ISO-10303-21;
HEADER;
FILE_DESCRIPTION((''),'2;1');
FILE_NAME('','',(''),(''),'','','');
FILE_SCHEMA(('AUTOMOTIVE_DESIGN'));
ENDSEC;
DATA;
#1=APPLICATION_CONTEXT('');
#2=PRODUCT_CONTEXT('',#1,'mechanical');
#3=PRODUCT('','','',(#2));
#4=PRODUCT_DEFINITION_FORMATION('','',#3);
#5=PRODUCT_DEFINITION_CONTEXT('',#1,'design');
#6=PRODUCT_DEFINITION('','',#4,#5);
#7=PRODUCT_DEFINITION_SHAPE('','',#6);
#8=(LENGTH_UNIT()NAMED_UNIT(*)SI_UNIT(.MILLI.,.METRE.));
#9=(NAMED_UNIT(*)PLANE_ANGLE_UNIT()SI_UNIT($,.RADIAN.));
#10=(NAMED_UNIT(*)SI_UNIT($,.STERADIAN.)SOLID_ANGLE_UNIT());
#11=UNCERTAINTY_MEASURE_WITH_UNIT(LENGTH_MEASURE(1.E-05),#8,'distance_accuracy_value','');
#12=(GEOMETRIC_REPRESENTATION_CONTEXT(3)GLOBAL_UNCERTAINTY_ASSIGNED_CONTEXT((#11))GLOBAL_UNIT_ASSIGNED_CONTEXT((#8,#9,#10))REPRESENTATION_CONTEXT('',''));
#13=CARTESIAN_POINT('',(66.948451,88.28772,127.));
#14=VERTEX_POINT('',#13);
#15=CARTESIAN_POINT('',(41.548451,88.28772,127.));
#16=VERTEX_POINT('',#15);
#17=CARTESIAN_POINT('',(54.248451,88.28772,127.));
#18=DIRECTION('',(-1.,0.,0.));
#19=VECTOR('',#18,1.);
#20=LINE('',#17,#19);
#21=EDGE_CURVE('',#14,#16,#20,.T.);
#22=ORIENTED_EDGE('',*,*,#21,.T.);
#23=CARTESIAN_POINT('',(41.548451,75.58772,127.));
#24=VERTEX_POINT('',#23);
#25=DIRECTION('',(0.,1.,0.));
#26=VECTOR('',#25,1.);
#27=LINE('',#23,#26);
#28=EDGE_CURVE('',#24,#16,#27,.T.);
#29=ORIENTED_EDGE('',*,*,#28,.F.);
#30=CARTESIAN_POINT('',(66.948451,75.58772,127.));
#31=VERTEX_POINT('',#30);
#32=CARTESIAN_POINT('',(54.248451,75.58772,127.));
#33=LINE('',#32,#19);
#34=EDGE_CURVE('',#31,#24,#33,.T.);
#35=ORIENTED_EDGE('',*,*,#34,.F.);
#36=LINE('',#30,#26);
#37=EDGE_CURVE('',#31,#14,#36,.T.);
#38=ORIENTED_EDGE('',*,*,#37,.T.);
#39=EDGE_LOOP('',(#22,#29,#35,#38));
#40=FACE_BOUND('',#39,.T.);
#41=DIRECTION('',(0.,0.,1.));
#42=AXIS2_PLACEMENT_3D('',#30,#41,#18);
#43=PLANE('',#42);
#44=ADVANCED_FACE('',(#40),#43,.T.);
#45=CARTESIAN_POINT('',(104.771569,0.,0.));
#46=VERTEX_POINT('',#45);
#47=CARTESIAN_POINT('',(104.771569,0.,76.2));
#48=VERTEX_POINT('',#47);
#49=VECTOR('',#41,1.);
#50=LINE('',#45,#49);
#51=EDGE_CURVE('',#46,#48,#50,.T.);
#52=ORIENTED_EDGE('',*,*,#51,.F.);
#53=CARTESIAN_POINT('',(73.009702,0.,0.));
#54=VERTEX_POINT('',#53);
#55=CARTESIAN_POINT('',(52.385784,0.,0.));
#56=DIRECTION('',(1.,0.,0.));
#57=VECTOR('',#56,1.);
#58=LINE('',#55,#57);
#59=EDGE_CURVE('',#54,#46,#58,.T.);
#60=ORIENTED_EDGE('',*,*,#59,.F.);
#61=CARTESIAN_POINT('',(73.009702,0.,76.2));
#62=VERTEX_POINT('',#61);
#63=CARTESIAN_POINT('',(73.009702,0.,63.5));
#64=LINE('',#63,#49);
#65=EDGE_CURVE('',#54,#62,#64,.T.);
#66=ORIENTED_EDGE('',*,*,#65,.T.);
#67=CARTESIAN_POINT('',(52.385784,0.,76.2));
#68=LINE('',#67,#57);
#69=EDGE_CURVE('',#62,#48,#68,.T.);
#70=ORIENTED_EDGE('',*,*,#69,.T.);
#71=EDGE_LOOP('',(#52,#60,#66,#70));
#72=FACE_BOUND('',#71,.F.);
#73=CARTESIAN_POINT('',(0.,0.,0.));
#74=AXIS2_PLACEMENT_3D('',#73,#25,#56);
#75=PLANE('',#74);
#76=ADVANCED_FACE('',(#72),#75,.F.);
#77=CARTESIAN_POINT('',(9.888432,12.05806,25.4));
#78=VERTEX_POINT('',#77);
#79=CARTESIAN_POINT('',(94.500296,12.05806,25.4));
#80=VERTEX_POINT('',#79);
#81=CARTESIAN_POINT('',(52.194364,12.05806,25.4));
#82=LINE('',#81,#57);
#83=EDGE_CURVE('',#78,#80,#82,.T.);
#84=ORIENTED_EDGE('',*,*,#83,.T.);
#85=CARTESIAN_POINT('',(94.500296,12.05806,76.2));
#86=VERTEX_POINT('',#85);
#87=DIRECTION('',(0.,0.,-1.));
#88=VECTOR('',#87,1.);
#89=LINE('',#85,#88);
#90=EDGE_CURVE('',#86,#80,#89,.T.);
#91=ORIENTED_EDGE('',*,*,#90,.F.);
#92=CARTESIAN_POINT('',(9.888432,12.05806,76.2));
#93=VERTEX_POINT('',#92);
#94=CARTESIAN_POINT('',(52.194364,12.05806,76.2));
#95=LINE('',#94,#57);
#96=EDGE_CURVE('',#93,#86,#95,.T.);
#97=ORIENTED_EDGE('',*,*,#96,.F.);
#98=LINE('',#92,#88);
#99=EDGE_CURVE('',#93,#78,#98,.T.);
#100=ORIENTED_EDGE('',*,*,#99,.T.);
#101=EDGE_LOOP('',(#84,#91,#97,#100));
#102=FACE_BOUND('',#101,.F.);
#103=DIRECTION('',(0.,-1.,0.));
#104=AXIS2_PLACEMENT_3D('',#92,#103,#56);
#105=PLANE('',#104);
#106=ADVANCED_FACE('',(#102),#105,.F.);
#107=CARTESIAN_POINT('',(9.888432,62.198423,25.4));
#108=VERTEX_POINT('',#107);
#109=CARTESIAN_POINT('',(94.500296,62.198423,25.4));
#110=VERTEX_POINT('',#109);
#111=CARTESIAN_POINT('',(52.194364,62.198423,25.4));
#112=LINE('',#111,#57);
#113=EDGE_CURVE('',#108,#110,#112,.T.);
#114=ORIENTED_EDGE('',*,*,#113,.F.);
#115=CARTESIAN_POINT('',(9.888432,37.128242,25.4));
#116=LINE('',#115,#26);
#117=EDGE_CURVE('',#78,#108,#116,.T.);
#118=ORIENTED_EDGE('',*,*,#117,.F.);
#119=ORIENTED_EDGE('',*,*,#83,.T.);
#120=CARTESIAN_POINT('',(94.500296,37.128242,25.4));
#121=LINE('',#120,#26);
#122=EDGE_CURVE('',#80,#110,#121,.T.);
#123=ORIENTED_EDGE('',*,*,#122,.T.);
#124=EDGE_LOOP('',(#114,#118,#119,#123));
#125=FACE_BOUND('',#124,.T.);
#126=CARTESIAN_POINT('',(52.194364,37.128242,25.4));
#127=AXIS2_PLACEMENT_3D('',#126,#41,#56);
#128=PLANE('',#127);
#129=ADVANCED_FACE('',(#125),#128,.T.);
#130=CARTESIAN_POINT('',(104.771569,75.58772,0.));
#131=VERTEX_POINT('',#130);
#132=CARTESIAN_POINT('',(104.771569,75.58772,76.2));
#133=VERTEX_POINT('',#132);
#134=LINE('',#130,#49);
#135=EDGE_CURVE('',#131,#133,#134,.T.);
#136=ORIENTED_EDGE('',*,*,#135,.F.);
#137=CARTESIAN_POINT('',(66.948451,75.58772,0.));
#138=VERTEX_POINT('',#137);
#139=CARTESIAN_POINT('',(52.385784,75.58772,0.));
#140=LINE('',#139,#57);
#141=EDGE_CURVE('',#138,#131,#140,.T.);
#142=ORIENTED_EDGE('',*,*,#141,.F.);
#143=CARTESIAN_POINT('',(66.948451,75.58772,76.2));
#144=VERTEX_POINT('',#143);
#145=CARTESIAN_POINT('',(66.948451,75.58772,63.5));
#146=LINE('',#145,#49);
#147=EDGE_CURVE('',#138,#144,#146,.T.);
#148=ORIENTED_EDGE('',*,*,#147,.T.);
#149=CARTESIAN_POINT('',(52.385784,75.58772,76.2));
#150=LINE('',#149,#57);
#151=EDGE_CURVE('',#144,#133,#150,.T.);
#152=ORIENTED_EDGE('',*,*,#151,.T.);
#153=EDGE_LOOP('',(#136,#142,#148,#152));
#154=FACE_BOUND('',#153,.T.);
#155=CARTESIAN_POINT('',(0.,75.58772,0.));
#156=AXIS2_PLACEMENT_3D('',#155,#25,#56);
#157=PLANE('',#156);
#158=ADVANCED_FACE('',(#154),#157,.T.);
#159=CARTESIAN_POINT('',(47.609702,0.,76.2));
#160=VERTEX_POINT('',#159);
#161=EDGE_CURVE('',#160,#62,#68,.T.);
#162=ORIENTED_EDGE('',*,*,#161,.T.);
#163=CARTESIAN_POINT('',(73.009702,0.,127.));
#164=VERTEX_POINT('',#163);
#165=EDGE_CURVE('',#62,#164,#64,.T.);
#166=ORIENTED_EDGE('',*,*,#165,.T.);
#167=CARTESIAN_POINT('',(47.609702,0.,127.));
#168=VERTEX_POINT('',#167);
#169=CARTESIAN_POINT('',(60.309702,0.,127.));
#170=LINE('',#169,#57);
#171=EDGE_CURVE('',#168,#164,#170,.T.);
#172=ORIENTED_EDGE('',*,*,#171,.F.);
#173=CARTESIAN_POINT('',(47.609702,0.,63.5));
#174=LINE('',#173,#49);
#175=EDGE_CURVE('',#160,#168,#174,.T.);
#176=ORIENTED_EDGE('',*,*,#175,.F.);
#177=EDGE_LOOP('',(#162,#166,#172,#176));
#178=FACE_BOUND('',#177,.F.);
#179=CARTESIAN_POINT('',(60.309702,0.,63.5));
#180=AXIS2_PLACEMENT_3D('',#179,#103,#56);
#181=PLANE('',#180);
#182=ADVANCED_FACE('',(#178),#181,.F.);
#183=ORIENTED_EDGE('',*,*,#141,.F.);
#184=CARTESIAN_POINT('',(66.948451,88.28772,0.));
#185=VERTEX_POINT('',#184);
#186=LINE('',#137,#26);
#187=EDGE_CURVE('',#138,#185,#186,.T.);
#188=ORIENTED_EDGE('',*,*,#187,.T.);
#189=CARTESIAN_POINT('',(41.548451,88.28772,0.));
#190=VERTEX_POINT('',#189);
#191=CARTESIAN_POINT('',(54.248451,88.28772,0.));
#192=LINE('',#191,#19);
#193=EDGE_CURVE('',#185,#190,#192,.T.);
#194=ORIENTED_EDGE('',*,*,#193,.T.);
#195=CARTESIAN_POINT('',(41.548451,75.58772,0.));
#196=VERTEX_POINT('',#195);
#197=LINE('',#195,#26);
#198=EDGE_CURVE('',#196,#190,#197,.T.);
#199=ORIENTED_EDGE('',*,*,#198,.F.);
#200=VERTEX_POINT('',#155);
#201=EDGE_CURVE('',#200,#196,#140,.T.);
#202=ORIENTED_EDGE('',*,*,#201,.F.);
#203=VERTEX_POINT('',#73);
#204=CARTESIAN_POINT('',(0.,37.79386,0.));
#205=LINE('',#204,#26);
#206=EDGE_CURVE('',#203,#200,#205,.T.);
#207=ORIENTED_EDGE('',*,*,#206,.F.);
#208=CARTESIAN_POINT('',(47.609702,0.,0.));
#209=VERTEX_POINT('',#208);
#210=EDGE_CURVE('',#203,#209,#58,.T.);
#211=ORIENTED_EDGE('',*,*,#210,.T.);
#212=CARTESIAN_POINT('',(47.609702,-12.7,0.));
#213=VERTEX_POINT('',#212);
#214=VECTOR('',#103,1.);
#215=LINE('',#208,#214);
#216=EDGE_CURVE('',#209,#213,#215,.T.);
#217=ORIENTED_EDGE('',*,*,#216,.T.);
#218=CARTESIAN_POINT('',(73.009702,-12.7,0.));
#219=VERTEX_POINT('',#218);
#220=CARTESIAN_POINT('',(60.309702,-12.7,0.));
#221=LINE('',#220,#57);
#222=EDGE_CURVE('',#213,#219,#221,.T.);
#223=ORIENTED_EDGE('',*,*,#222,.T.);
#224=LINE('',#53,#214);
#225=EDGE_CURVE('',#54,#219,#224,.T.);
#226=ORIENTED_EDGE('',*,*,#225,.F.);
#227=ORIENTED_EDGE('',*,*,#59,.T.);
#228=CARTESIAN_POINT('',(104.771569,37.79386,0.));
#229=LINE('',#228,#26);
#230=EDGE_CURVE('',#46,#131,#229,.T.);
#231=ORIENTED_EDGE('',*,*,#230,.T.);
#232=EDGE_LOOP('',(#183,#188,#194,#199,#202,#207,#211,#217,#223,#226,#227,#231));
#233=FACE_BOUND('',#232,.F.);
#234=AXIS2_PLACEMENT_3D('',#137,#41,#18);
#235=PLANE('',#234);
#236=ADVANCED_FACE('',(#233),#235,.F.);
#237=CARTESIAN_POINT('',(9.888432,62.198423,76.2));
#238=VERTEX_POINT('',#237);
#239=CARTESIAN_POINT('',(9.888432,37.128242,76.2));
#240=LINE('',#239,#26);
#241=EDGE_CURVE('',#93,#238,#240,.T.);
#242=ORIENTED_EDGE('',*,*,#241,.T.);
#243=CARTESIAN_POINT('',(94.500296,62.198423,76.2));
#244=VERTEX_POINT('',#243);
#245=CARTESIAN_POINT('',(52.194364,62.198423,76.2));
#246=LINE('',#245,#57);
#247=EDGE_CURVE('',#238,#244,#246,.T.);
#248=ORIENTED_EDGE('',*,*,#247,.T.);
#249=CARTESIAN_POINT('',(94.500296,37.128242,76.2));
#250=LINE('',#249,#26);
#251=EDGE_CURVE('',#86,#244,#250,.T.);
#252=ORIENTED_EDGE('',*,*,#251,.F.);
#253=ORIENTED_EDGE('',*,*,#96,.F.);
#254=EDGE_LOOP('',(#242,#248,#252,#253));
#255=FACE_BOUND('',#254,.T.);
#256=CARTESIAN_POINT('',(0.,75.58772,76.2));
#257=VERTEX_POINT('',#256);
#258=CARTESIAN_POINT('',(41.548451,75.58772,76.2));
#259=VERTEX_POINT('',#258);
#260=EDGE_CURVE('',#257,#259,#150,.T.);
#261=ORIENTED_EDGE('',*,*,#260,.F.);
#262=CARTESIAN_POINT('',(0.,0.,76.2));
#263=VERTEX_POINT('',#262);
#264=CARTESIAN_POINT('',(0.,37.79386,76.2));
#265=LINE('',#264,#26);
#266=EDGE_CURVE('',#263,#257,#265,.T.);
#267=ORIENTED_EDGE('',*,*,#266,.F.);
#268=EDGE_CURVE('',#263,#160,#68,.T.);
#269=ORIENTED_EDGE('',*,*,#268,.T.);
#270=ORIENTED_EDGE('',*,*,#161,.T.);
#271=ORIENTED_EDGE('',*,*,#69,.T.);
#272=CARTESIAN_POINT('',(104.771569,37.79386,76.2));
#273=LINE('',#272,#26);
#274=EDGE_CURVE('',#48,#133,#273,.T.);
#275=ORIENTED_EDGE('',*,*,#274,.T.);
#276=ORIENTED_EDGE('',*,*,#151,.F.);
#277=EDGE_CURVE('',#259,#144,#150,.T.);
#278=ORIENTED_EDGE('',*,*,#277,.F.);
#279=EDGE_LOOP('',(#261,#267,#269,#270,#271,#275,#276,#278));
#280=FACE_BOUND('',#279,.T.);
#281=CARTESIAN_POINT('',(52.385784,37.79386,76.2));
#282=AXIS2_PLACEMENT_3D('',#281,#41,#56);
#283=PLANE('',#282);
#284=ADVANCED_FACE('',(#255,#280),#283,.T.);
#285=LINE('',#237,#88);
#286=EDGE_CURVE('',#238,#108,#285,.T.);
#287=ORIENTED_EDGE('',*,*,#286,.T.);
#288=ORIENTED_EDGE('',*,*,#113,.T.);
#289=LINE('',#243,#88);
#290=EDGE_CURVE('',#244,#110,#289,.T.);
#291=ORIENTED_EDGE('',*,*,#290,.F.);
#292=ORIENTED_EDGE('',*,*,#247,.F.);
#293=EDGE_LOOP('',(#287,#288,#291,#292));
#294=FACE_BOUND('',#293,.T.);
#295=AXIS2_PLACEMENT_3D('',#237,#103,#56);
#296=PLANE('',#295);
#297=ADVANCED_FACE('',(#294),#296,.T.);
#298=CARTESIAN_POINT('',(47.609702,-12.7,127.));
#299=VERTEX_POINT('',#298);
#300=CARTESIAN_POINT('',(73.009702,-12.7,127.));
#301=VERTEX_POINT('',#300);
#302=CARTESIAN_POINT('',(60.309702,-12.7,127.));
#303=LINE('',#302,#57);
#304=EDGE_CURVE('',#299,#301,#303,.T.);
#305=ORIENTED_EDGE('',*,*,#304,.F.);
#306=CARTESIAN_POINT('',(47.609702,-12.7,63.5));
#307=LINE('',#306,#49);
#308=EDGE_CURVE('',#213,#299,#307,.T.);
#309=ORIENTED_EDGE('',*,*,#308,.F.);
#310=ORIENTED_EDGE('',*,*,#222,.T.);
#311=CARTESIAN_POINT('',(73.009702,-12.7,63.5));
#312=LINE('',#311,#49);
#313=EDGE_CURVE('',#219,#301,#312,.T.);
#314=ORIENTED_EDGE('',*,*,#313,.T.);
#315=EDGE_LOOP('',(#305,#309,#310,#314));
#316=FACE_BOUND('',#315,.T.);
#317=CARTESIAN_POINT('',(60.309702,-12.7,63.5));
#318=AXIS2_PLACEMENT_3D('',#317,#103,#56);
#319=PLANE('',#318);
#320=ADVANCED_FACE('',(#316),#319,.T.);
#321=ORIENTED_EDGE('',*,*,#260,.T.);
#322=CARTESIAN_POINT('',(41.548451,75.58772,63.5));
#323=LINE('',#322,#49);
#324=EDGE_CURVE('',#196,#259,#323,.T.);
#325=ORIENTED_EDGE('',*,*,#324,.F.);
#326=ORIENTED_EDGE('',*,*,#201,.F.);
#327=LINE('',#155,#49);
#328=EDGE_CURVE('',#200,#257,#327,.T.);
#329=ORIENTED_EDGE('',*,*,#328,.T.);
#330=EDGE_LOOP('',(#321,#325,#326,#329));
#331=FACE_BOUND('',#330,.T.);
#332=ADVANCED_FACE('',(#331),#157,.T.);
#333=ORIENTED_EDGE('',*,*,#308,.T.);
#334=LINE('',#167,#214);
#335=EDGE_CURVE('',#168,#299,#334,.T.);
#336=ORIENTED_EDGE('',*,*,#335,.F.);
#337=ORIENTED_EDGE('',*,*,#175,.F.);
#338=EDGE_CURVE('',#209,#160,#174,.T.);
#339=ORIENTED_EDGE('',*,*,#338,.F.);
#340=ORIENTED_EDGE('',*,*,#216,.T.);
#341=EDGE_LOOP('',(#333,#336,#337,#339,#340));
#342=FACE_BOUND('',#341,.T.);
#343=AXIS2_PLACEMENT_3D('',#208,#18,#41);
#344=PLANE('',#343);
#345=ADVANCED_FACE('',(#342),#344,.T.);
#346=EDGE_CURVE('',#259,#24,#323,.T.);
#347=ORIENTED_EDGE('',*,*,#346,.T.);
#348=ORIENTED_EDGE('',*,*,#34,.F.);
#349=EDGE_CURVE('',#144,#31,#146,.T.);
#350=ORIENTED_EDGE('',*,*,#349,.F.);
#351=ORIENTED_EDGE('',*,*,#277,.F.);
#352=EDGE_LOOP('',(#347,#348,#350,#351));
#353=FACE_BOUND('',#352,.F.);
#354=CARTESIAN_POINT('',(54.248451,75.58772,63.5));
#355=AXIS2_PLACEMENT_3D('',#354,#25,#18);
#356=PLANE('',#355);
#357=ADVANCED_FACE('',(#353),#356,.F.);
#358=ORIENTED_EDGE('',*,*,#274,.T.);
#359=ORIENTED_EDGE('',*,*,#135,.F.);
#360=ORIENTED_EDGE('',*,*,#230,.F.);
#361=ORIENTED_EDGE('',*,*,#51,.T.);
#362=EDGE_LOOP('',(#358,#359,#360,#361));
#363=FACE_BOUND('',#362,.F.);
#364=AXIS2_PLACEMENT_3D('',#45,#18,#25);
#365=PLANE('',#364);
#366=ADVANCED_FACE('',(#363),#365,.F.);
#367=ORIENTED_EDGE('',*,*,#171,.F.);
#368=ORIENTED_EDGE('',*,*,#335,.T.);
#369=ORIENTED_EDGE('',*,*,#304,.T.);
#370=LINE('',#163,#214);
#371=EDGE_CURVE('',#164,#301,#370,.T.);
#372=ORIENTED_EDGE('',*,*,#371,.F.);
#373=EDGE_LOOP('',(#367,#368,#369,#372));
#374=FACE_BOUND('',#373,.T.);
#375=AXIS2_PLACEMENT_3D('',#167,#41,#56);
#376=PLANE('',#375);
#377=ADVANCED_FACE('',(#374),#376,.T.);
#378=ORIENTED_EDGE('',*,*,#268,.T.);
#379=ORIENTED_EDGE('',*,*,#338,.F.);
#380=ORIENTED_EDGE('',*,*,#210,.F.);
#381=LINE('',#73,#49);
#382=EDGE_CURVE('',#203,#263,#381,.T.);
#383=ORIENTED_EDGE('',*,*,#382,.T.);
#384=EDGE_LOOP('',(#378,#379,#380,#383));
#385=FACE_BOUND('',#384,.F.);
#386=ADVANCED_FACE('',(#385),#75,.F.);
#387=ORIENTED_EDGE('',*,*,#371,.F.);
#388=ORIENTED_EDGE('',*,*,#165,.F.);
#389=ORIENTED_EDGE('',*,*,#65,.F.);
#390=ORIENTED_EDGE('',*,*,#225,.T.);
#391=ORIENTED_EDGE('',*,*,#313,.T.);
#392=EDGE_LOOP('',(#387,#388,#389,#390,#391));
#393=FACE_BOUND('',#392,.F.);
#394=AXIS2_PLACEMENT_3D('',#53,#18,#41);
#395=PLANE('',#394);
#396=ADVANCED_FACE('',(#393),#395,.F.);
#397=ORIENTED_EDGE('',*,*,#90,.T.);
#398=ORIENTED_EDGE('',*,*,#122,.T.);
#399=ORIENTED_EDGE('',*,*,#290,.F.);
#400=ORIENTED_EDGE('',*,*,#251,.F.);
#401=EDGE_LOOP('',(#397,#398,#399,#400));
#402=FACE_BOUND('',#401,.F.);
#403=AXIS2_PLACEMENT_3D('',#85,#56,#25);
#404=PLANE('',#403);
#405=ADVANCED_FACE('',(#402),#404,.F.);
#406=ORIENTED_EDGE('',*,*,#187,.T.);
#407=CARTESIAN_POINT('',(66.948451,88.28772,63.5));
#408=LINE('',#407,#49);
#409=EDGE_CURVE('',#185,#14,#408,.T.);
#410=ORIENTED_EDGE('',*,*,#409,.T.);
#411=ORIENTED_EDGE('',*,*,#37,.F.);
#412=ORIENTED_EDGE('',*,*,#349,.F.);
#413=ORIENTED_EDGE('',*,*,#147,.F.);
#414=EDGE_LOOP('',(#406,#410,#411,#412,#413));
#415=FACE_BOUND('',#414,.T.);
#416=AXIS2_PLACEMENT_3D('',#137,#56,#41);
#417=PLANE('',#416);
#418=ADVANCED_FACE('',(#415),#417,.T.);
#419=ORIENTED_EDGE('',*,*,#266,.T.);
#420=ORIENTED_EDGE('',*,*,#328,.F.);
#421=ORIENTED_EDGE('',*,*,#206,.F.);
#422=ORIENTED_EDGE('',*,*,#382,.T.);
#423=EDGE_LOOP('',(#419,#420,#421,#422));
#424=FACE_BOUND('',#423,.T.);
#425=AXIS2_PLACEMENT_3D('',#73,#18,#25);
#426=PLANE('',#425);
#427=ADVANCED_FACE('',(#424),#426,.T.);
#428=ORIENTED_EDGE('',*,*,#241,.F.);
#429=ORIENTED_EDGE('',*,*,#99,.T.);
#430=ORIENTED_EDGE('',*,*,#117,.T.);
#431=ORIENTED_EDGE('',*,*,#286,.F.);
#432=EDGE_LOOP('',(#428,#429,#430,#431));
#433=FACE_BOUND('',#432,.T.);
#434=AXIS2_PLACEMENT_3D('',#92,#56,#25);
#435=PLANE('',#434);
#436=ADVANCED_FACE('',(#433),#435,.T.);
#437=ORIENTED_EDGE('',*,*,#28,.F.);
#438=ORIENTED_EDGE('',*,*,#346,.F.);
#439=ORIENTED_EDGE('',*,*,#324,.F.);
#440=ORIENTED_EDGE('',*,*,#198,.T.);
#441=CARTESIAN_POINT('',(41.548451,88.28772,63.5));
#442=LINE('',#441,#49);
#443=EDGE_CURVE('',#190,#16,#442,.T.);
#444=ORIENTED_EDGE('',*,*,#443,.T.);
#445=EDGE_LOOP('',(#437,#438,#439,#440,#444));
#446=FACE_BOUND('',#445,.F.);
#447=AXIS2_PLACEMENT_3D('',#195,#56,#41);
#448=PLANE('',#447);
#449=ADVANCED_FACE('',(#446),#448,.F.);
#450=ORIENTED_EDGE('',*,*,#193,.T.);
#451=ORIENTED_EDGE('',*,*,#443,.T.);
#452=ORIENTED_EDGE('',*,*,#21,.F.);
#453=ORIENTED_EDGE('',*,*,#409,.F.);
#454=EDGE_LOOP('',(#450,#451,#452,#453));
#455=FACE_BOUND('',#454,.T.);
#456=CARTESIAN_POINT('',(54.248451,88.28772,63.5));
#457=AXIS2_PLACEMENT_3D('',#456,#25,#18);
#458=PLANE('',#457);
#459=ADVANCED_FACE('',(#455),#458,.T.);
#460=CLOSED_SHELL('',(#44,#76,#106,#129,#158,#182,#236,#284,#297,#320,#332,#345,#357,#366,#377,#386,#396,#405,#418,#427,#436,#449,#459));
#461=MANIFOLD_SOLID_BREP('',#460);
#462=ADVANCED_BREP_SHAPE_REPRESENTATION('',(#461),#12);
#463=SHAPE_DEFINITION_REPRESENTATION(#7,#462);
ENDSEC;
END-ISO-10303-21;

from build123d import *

# Parameters (mm, degrees)
F0_W     = 104.771569
F0_H     = 75.58772
F1_DEPTH = 76.2
F2_W     = 84.611864
F2_H     = 50.140363
F3_DEPTH = 50.8
F4_W     = 25.4
F4_H     = 127
F5_DEPTH = 12.7
F6_W     = 25.4
F6_H     = 127
F7_DEPTH = 12.7


with BuildPart() as f1:
    # F0 (on Top) → F1 (new body)
    with BuildSketch(Plane.XY):
        with Locations((52.385784, 37.79386)):
            Rectangle(F0_W, F0_H)
    extrude(amount=F1_DEPTH)

    # F2 (on face) → F3 (cut)
    with BuildSketch(Plane.XY.offset(76.2)):
        with Locations((52.194364, 37.128242)):
            Rectangle(F2_W, F2_H)
    extrude(amount=-F3_DEPTH, mode=Mode.SUBTRACT)

    # F4 (on face) → F5 (join)
    with BuildSketch(Plane.XZ):
        with Locations((60.309702, 63.5)):
            Rectangle(F4_W, F4_H)
    extrude(amount=F5_DEPTH)

    # F6 (on face) → F7 (join)
    with BuildSketch(Plane(origin=(0, 75.58772, 0), x_dir=(-1, 0, 0), z_dir=(0, 1, 0))):
        with Locations((-54.248451, 63.5)):
            Rectangle(F6_W, F6_H)
    extrude(amount=F7_DEPTH)


solid = f1.part
